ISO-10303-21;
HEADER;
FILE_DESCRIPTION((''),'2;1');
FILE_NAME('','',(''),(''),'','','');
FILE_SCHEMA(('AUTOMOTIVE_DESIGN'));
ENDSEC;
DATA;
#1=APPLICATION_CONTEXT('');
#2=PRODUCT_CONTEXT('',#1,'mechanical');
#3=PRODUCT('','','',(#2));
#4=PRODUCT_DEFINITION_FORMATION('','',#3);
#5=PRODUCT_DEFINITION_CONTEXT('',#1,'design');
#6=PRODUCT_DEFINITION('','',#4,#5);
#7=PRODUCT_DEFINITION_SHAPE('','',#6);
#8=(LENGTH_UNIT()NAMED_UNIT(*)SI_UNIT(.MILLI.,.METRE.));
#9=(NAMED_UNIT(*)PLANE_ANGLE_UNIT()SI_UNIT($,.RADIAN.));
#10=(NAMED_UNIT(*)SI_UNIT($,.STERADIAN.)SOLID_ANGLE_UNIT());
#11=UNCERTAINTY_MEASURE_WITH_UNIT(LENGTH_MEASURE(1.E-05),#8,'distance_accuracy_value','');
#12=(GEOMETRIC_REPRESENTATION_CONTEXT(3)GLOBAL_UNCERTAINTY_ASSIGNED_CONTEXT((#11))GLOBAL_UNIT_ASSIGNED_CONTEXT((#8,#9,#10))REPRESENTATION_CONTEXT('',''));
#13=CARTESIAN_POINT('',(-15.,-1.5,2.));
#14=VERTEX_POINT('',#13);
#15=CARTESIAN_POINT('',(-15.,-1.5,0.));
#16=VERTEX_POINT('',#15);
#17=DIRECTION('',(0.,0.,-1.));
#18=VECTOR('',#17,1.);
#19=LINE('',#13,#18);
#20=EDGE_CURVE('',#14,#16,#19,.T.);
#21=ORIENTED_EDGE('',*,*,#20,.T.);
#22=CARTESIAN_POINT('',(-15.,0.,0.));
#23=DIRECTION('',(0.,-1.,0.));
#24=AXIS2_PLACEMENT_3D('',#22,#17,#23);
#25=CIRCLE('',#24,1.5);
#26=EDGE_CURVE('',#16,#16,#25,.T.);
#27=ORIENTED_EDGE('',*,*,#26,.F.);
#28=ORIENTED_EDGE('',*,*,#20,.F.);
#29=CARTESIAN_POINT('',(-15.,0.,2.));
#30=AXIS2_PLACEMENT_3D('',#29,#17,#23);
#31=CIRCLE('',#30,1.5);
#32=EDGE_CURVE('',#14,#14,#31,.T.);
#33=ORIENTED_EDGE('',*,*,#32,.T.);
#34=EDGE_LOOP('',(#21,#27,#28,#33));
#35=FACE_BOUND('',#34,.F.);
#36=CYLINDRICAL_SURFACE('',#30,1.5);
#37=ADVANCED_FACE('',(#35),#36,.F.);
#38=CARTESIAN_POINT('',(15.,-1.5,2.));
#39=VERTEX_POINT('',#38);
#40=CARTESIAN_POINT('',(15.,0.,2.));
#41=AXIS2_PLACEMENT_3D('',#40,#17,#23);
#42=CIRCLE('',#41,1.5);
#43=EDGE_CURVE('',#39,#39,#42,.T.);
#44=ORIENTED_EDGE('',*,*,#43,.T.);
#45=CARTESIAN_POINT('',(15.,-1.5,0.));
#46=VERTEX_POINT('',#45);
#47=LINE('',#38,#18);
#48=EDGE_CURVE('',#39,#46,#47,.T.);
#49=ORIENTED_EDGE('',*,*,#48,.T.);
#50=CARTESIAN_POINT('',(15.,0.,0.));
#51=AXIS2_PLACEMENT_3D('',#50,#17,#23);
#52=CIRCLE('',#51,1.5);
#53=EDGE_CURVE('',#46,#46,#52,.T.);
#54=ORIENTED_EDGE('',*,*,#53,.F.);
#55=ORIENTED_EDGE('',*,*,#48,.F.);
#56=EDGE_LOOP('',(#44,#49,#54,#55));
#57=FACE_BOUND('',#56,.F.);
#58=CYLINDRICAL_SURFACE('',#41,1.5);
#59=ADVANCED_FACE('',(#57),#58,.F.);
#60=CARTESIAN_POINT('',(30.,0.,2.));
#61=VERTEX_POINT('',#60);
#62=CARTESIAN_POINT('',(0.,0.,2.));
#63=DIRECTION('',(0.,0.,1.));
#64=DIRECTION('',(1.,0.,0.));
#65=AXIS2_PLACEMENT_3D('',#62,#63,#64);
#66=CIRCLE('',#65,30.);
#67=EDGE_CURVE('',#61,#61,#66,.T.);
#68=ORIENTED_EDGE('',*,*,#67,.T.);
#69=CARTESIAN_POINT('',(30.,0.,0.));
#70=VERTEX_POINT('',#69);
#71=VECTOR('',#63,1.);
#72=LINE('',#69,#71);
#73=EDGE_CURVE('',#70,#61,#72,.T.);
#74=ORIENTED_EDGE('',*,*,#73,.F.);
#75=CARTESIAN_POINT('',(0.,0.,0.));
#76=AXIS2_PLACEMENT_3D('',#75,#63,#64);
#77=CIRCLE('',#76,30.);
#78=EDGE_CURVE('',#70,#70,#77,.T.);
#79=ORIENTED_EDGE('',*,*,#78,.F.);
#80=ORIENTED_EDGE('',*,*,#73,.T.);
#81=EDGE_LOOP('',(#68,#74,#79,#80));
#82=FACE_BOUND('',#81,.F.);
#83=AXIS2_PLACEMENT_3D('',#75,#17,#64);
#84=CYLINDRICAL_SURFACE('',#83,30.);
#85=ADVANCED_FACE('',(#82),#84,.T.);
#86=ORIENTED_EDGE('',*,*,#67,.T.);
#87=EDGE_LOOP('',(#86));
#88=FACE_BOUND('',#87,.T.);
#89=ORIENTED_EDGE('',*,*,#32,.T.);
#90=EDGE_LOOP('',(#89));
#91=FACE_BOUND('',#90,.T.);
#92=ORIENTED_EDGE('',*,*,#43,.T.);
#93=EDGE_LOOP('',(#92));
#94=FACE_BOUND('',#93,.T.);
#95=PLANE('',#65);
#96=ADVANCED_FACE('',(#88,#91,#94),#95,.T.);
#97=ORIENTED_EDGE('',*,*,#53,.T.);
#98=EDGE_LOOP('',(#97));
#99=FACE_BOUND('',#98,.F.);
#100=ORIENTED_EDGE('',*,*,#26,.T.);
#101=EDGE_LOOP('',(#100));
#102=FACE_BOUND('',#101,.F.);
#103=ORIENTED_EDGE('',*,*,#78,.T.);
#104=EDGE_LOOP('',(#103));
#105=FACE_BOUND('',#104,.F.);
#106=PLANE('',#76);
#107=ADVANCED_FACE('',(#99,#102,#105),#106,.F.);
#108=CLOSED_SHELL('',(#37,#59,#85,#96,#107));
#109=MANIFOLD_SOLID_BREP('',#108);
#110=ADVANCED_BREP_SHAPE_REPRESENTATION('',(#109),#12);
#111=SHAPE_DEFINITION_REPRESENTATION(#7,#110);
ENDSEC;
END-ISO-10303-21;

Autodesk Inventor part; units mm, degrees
ref_plane "YZ Plane" through (0, 0, 0) normal (1, 0, 0) x (0, 1, 0)
ref_plane "XZ Plane" through (0, 0, 0) normal (0, 1, 0) x (-1, 0, 0)
ref_plane "XY Plane" through (0, 0, 0) normal (0, 0, 1) x (1, 0, 0)
sketch "Esboço1" plane through (0, 0, 0) normal (0, 0, 1) x (1, 0, 0)
  circle A0 centre (0, 0) radius 30
  dimension "d0" = 60
extrude "Extrusão1" add sketch "Esboço1" along normal blind 2
sketch "Esboço2" plane through (0, 0, 2) normal (0, 0, 1) x (1, 0, 0)
  point P0 (0, 0)
  point P1 (-15, 0)
  point P2 (15, 0)
  dimension "d3" = 15
  dimension "d4" = 15
hole "Furo1" at (15, 0, 2) at (-15, 0, 2) direction (0, 0, -1) diameter 3 end through all
properties part number "Placa"
